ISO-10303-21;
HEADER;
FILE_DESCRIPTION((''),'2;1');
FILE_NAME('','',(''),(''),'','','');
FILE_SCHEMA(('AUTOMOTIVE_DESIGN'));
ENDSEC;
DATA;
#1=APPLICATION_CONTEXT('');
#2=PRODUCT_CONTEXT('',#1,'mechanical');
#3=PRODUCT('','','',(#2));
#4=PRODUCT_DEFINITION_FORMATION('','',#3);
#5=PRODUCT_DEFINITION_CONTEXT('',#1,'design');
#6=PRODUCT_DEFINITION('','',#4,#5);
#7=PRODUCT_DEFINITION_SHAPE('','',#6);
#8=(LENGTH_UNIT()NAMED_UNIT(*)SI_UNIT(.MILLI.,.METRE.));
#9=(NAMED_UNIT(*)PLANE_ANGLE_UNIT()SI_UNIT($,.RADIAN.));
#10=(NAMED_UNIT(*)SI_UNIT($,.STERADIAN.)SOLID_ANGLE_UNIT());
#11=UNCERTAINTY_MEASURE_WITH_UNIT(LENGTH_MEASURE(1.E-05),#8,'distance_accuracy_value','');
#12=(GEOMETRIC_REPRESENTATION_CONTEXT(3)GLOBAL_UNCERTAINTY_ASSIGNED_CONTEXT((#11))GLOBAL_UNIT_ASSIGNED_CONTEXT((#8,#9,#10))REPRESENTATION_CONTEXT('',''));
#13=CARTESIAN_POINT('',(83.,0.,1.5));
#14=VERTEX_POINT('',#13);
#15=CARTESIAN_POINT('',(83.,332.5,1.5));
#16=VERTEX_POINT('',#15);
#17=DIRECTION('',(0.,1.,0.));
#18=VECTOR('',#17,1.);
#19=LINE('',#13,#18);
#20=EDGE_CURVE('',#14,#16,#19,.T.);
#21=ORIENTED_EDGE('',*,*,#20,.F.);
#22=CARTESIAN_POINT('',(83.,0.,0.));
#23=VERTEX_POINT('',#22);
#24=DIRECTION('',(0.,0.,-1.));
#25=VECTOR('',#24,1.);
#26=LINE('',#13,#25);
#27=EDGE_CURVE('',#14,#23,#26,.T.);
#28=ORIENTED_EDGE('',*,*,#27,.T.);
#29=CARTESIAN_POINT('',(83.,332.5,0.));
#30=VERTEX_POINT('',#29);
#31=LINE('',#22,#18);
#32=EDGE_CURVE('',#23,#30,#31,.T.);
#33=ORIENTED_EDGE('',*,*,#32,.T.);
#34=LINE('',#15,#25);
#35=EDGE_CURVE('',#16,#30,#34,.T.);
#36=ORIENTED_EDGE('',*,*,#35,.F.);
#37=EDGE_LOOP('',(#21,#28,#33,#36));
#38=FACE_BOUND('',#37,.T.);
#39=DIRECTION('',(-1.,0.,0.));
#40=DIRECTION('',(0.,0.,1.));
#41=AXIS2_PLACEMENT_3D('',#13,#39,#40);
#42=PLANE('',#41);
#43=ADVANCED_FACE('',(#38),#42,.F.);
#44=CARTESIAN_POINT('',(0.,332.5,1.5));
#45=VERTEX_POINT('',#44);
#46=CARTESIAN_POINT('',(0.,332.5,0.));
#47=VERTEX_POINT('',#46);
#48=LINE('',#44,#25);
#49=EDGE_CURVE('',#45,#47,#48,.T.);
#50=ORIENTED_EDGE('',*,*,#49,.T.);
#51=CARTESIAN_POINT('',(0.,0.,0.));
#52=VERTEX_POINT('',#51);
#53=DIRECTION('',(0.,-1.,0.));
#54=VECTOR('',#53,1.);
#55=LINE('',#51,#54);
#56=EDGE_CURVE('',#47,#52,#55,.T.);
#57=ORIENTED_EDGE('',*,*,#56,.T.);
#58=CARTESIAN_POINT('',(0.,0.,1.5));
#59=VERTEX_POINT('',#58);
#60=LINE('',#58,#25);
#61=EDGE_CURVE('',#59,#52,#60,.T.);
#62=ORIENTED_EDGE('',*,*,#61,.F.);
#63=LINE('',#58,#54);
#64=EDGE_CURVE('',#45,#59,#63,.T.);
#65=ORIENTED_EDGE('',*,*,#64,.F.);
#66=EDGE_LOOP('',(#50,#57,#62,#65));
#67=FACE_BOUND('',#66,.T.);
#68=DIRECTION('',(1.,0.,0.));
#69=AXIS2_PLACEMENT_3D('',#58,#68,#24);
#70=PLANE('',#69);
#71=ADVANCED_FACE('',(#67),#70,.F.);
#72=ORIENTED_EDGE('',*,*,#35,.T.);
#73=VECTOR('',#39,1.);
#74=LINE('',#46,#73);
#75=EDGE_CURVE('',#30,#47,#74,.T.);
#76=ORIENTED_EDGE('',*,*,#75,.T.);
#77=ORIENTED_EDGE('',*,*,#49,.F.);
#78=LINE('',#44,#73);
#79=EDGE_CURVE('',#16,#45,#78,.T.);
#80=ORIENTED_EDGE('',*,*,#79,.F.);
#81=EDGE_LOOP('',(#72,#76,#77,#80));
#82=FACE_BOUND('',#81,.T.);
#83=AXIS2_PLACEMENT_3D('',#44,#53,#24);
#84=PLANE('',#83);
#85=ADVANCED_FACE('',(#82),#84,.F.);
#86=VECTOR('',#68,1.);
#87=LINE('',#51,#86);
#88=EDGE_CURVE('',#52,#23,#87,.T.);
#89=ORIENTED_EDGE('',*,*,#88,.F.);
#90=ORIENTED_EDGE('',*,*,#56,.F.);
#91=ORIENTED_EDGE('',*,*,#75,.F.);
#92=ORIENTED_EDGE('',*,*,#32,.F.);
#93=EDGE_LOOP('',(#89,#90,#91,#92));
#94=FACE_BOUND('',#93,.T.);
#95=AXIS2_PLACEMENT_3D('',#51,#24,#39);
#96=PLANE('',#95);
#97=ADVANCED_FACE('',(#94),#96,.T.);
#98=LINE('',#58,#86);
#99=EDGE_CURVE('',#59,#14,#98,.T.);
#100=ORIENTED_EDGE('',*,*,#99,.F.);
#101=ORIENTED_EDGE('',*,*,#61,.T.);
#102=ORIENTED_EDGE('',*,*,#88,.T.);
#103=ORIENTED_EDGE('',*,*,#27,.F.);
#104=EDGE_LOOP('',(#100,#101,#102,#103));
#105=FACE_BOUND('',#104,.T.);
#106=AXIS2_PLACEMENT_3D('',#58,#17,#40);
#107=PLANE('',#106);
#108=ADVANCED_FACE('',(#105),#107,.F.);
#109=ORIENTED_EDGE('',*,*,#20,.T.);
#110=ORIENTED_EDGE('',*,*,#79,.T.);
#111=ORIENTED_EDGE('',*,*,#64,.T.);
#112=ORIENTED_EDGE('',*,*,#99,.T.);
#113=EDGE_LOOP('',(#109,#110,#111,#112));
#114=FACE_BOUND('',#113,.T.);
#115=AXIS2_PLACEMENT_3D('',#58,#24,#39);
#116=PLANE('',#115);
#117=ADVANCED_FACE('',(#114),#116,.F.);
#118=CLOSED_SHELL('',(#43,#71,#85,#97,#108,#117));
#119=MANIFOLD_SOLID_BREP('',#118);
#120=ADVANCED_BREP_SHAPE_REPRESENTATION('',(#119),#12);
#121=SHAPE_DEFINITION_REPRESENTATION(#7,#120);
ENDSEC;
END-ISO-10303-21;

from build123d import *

# Parameters (mm, degrees)
BODY_SKETCH_W = 83
BODY_SKETCH_H = 332.5
BODY_DEPTH    = 1.5


with BuildPart() as part:
    # Body sketch → Body (new body)
    with BuildSketch(Plane.XY):
        with Locations((41.5, 166.25)):
            Rectangle(BODY_SKETCH_W, BODY_SKETCH_H)
    extrude(amount=BODY_DEPTH)


solid = part.part
